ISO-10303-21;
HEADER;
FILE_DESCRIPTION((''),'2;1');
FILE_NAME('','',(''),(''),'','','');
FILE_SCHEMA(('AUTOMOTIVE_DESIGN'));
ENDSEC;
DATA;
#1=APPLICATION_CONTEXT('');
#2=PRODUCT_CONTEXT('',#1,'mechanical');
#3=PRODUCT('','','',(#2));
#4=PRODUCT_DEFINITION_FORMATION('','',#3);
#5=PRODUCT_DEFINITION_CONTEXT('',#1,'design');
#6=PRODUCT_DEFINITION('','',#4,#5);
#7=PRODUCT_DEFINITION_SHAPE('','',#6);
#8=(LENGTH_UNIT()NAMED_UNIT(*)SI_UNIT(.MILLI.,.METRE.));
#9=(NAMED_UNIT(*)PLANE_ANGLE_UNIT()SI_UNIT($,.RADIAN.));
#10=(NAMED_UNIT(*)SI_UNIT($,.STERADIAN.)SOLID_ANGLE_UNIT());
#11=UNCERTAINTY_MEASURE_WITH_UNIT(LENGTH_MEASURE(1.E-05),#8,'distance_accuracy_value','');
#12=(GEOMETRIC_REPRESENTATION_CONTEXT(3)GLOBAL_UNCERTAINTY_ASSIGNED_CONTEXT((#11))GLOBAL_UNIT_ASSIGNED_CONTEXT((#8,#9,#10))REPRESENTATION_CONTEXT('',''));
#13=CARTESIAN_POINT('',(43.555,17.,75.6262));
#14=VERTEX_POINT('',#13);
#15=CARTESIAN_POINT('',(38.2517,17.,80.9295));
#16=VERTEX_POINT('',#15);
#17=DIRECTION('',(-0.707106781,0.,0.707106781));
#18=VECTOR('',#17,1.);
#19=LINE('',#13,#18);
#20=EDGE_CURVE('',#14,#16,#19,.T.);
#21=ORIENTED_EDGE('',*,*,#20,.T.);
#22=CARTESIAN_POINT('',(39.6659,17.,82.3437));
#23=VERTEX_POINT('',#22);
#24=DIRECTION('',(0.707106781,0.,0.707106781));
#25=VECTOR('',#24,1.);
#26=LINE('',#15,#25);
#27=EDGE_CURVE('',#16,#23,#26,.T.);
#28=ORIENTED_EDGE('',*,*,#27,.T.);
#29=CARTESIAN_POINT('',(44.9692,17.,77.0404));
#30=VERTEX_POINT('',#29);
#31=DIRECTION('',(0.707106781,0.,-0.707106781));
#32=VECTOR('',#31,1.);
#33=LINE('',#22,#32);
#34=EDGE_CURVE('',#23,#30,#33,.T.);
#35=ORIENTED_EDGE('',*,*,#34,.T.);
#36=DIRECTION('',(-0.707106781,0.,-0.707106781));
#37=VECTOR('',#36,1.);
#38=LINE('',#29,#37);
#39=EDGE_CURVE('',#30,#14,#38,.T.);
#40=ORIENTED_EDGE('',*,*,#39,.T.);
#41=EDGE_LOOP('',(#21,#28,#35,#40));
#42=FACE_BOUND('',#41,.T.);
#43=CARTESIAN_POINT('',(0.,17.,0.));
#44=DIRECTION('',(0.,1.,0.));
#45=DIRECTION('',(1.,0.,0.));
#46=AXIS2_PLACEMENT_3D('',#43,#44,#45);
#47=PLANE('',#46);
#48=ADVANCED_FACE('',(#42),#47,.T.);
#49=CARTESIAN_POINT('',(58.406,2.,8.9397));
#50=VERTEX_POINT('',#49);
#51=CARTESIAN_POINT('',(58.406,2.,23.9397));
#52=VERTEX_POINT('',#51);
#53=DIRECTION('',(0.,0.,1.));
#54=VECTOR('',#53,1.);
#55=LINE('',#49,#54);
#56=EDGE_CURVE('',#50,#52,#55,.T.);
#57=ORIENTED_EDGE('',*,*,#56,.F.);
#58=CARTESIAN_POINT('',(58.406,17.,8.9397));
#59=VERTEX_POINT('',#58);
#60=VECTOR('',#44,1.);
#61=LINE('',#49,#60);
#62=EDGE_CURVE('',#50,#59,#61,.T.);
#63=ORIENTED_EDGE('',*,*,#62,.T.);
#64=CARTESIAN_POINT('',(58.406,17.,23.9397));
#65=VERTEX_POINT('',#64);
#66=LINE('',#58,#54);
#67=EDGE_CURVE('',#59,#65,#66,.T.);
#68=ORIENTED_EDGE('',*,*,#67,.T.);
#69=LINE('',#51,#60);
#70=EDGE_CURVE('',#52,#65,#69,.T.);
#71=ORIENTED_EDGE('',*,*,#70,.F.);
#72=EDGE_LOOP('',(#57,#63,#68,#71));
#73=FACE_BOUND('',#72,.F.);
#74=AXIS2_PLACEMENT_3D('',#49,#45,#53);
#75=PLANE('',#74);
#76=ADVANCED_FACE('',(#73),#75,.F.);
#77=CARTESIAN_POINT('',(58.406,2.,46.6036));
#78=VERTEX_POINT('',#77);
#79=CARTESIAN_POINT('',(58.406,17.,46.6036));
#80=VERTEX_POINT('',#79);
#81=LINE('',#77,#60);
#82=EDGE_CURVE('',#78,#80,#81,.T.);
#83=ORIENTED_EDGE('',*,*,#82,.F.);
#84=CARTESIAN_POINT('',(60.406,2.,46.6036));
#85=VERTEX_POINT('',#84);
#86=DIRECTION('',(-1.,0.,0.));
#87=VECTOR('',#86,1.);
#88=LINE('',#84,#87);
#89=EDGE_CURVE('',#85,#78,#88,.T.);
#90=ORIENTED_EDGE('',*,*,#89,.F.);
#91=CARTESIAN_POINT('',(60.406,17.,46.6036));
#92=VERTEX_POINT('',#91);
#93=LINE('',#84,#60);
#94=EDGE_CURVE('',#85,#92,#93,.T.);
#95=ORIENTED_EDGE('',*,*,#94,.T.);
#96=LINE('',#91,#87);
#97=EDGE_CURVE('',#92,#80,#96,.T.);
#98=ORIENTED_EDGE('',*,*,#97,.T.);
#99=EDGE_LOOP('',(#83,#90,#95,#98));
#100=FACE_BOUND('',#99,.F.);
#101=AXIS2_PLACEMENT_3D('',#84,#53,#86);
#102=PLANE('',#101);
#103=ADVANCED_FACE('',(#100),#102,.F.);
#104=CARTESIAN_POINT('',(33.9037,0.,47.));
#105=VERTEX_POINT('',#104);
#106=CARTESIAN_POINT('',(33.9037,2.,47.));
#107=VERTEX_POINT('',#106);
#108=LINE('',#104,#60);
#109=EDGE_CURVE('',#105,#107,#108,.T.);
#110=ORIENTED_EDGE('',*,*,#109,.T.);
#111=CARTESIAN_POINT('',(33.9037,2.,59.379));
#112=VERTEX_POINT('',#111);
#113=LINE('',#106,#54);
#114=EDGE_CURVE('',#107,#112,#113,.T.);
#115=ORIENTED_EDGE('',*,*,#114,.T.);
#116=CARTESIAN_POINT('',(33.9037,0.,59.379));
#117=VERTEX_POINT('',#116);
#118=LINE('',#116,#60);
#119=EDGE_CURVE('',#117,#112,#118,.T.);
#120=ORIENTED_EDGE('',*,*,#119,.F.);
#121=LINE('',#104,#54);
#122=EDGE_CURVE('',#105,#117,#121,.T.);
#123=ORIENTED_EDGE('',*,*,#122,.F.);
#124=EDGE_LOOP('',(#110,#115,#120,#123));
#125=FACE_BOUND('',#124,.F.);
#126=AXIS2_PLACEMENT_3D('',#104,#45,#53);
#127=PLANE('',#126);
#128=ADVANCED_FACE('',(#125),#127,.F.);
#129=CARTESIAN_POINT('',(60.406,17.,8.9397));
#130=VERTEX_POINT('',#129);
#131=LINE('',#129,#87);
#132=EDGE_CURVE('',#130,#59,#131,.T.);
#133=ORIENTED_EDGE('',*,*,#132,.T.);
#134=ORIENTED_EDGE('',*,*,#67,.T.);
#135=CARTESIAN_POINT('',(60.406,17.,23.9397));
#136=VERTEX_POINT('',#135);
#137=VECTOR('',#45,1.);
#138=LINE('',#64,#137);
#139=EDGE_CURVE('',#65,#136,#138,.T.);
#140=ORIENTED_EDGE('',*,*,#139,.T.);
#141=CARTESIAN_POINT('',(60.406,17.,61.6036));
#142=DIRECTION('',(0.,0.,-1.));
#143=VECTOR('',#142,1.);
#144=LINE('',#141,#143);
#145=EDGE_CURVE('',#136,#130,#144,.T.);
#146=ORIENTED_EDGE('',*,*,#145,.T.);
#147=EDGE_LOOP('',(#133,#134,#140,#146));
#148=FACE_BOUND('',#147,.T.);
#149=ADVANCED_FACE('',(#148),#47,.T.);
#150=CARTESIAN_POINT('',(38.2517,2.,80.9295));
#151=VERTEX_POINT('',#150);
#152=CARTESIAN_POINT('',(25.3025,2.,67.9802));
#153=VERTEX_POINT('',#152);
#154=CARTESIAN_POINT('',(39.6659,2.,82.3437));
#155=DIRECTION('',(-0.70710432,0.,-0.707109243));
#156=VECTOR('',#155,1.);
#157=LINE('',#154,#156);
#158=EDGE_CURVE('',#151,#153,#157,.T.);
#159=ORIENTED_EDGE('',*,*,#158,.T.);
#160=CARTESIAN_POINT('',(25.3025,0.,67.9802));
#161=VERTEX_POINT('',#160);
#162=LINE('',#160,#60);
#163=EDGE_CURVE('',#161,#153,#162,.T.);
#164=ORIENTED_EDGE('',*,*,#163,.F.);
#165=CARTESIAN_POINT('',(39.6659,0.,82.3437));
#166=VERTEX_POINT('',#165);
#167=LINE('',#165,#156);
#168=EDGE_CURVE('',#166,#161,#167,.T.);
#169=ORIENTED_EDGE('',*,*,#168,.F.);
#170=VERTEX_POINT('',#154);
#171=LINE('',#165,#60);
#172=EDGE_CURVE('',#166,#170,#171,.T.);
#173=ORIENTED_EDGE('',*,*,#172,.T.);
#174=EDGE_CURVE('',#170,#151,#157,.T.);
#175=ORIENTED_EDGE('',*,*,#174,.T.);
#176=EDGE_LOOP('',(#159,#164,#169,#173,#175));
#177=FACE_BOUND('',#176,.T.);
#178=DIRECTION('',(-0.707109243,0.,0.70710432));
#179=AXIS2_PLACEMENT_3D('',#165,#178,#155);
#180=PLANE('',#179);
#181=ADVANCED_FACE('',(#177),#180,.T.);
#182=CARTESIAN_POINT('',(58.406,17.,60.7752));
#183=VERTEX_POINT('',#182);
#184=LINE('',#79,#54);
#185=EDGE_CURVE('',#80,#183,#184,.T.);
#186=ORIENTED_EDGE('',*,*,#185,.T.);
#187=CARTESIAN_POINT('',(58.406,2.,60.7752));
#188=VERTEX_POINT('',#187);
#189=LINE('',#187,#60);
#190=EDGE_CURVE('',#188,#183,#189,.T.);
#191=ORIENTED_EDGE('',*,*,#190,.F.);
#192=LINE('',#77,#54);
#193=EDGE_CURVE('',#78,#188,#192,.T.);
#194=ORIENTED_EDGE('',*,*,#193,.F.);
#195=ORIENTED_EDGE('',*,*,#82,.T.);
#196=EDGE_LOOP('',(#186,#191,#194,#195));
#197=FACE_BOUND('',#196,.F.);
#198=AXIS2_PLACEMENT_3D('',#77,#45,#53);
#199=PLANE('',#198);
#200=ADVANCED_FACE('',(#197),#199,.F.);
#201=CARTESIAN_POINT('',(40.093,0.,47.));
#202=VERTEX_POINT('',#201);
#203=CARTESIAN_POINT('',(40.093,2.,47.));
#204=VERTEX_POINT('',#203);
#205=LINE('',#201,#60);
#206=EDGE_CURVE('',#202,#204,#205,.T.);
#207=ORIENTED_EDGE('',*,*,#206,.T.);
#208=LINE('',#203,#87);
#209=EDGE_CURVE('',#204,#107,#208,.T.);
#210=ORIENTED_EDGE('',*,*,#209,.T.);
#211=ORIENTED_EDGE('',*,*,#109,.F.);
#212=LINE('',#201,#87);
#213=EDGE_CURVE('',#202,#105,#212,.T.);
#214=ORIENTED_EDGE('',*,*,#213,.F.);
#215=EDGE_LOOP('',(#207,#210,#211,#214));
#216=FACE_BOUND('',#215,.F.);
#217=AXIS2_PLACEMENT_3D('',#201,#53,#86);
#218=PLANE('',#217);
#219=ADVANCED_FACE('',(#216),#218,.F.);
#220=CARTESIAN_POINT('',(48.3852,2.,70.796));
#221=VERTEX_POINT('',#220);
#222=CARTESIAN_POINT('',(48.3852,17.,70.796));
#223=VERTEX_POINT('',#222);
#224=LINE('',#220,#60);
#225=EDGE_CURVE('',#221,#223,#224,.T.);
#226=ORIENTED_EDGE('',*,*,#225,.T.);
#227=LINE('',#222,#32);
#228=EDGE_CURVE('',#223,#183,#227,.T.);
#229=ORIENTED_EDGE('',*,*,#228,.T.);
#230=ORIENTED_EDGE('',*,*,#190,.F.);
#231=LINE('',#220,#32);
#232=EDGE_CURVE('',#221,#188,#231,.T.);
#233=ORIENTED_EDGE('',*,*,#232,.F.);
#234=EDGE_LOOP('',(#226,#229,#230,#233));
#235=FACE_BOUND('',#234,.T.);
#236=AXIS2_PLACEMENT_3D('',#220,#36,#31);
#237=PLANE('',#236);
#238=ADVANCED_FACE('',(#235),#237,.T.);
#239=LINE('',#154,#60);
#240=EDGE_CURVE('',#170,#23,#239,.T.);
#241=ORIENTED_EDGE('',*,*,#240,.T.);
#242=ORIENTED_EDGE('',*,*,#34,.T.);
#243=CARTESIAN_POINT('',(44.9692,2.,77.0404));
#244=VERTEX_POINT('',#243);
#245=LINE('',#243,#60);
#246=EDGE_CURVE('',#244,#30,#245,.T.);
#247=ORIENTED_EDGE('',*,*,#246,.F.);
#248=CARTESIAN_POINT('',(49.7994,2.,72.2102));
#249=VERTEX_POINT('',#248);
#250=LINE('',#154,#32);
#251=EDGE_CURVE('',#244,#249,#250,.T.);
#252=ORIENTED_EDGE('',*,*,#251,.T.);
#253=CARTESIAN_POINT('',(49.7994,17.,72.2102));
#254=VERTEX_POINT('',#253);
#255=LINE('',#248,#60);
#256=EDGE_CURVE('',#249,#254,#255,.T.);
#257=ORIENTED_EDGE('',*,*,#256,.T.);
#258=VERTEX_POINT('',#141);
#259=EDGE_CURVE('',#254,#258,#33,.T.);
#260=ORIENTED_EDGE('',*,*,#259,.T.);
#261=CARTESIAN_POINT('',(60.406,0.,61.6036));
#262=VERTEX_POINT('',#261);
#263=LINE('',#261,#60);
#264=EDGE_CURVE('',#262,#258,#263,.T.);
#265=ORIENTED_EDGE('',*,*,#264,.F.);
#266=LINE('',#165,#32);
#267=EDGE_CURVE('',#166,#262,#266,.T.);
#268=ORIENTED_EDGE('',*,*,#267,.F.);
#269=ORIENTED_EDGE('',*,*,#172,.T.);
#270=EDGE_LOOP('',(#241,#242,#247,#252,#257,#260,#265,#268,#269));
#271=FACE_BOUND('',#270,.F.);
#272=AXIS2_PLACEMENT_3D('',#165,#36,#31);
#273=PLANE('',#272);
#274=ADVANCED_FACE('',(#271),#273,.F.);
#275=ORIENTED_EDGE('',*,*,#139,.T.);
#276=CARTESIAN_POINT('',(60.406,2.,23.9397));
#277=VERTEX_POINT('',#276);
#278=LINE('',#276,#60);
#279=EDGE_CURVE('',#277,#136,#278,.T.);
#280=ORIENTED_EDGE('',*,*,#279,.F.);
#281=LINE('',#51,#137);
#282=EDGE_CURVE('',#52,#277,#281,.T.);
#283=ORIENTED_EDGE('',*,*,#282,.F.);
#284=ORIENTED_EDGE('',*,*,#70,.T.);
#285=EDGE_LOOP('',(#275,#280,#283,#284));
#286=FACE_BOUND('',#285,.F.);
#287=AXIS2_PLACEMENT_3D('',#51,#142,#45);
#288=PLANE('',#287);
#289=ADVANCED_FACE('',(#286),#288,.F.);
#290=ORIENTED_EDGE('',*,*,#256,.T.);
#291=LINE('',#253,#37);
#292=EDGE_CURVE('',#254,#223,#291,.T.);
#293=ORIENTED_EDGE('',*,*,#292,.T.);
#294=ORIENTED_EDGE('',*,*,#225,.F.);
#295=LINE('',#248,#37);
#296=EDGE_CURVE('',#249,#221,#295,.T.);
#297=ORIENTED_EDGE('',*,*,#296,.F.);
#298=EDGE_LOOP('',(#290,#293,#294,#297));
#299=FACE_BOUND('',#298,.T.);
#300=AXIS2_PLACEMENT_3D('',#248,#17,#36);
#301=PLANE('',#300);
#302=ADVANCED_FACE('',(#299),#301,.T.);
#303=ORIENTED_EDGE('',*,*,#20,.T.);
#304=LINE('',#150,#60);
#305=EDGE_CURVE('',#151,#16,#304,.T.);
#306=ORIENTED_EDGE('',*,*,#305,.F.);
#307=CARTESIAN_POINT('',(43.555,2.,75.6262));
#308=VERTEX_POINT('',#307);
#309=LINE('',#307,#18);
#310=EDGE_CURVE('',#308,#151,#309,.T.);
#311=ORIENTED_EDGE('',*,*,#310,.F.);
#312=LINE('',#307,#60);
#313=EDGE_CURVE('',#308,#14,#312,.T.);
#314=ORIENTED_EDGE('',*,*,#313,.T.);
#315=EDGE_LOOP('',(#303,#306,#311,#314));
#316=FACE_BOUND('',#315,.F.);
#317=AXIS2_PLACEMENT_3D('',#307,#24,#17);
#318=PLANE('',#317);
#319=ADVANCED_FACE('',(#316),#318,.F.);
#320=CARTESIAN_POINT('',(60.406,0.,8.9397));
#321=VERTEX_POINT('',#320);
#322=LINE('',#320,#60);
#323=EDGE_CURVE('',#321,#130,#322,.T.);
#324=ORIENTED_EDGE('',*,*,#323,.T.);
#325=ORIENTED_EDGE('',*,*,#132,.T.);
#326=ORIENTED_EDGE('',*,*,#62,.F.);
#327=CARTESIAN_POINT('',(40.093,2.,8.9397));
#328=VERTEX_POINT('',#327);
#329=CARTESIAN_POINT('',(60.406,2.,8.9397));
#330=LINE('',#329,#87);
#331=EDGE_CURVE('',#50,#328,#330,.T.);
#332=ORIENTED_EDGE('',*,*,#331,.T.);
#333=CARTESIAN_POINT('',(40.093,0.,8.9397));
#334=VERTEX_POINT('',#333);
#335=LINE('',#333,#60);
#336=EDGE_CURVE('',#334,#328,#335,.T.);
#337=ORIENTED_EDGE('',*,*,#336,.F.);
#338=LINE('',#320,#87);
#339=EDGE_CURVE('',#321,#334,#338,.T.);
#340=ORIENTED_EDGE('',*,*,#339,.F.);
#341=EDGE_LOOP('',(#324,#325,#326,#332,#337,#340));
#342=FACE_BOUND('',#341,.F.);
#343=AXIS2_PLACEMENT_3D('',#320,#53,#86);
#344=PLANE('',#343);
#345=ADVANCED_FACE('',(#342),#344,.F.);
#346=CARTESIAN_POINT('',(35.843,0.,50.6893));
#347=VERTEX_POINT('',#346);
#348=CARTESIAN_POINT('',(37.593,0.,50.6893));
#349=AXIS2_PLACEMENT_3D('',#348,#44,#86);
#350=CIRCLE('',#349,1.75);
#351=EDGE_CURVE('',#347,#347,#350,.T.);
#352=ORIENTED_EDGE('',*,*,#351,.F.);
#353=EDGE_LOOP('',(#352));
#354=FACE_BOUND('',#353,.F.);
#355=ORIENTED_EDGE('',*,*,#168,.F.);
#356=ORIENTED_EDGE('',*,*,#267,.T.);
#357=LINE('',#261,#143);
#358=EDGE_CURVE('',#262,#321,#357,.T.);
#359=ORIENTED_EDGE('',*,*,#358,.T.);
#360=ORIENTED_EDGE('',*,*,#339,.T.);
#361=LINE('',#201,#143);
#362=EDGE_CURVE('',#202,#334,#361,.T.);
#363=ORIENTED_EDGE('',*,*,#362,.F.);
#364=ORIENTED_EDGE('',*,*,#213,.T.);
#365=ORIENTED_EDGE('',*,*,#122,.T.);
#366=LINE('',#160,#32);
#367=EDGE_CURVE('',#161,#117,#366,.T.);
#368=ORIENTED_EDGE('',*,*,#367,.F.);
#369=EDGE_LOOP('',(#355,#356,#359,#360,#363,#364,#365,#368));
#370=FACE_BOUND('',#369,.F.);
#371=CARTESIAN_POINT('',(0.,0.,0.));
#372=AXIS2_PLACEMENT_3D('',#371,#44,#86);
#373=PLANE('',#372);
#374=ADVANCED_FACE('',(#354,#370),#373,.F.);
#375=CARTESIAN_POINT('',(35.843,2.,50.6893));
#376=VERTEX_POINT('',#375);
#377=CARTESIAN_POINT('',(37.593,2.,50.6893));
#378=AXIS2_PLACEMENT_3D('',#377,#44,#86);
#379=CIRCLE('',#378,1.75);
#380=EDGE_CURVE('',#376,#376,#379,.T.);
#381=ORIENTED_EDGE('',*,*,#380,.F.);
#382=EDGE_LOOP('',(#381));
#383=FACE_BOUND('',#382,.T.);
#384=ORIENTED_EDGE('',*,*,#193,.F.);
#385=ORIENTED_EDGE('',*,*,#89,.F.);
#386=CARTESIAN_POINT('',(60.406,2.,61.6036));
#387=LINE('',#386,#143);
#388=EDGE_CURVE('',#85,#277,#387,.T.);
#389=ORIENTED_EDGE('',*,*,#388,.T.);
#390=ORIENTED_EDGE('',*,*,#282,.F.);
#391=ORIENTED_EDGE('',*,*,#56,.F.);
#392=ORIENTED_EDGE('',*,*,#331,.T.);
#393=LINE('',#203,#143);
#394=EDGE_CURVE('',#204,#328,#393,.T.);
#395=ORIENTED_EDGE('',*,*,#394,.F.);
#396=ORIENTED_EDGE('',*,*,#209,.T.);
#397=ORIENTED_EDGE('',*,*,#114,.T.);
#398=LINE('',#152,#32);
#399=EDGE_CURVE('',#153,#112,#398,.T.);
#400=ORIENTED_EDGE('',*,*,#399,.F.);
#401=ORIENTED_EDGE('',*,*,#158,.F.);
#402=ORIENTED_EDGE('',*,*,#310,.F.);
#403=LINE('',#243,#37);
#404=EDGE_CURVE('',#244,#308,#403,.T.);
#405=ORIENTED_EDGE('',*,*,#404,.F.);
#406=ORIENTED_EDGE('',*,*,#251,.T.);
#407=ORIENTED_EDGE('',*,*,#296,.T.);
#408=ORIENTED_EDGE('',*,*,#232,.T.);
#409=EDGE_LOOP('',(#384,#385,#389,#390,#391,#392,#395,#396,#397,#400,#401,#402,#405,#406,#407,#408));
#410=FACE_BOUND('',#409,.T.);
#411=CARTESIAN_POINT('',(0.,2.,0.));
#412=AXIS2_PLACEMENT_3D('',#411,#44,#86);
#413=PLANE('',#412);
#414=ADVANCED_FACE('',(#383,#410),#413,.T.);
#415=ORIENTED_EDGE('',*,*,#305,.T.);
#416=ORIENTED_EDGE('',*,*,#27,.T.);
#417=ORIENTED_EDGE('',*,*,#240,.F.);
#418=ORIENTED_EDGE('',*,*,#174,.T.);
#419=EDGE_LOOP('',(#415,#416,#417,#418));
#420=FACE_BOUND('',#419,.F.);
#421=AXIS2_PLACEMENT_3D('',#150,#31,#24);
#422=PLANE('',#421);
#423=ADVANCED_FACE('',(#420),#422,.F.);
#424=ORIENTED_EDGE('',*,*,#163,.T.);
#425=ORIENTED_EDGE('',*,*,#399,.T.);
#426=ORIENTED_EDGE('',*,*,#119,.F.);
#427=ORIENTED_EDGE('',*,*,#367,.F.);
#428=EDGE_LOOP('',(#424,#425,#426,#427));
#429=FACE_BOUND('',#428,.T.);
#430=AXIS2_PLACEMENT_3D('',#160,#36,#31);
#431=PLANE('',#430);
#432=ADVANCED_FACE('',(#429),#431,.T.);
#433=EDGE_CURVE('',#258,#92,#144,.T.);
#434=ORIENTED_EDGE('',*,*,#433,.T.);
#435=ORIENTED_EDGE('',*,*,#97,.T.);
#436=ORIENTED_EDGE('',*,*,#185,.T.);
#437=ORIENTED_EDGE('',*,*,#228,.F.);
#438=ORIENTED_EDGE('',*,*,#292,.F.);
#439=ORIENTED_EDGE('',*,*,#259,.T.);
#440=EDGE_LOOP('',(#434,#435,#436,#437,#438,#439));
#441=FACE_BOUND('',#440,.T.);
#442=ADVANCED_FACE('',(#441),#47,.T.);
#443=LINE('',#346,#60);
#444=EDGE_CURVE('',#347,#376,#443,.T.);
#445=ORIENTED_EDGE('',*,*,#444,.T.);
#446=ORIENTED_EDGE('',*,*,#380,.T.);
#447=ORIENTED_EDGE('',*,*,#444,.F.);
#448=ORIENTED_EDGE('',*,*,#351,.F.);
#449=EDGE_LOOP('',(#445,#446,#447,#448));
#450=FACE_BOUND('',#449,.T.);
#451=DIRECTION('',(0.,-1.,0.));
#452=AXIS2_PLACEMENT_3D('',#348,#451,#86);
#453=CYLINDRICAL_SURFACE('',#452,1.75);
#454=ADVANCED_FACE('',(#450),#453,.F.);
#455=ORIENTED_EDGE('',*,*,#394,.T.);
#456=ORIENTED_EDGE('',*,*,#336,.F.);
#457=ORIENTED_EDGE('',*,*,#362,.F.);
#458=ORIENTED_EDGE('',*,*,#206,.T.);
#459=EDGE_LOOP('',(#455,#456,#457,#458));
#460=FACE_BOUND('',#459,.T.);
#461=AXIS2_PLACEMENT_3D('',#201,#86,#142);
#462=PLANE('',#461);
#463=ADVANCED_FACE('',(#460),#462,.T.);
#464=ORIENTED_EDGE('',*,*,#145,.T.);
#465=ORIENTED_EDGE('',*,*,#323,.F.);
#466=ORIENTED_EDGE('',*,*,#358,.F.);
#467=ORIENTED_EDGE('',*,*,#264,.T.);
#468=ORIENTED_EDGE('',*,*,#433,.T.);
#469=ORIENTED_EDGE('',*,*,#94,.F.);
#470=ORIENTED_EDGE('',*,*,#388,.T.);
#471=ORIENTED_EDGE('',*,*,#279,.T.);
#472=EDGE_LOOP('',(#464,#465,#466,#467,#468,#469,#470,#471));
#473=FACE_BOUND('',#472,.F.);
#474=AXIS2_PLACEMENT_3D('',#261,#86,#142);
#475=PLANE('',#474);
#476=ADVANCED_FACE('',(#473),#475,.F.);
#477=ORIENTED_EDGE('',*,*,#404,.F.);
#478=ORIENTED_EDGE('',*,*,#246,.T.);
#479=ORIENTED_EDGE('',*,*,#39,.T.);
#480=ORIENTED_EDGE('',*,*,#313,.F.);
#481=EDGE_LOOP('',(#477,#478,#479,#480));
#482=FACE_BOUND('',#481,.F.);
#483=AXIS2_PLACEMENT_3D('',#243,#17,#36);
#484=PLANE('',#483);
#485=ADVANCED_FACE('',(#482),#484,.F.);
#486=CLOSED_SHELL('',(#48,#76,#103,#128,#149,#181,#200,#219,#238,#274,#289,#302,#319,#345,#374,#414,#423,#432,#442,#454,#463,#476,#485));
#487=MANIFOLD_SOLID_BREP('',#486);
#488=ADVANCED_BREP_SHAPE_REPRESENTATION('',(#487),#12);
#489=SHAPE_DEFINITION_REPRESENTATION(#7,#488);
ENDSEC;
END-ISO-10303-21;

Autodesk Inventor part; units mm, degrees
ref_plane "YZ Plane" through (0, 0, 0) normal (1, 0, 0) x (0, 1, 0)
ref_plane "XZ Plane" through (0, 0, 0) normal (0, 1, 0) x (-1, 0, 0)
ref_plane "XY Plane" through (0, 0, 0) normal (0, 0, 1) x (1, 0, 0)
sketch "Sketch1" plane through (0, 0, 0) normal (0, 1, 0) x (-1, 0, 0)
  line L0 (-39.6659, 82.3437) -> (-60.406, 61.6036)
  line L1 (-60.406, 61.6036) -> (-60.406, 8.9397)
  circle A0 centre (-37.593, 50.6893) radius 1.75
  circle A1 centre (-37.593, 50.6893) radius 1.75
  line L2 (-60.406, 8.9397) -> (-40.093, 8.9397)
  line L3 (-40.093, 47) -> (-33.9037, 47)
  line L4 (-33.9037, 47) -> (-33.9037, 59.379)
  line L5 (-25.3025, 67.9802) -> (-33.9037, 59.379)
  line L6 (-40.093, 47) -> (-40.093, 8.9397)
  line L7 (-39.6659, 82.3437) -> (-25.3025, 67.9802)
extrude "Extrusion1" add sketch "Sketch1" along normal blind 2
sketch "Sketch2" plane through (0, 2, 0) normal (0, 1, 0) x (1, 0, 0)
  line L0 (39.6659, -82.3437) -> (60.406, -61.6036) projected
  line L1 (60.406, -61.6036) -> (60.406, -8.9397) projected
  line L2 (60.406, -61.6036) -> (60.406, -46.6036)
  line L3 (60.406, -46.6036) -> (58.406, -46.6036)
  line L4 (58.406, -46.6036) -> (58.406, -60.7752)
  line L5 (60.406, -61.6036) -> (49.7994, -72.2102)
  line L6 (49.7994, -72.2102) -> (48.3852, -70.796)
  line L7 (48.3852, -70.796) -> (58.406, -60.7752)
  line L8 (60.406, -8.9397) -> (58.406, -8.9397)
  line L9 (58.406, -8.9397) -> (58.406, -23.9397)
  line L10 (58.406, -23.9397) -> (60.406, -23.9397)
  line L11 (60.406, -23.9397) -> (60.406, -8.9397)
  line L12 (39.6659, -82.3437) -> (44.9692, -77.0404)
  line L13 (44.9692, -77.0404) -> (43.555, -75.6262)
  line L14 (43.555, -75.6262) -> (38.2517, -80.9295)
  line L15 (38.2517, -80.9295) -> (39.6659, -82.3437)
  line L16 (39.6659, -82.3437) -> (47.1659, -82.3437) construction
  point P0 (0, 0)
  dimension "d6" = 15
  dimension "d7" = 2
  dimension "d8" = 15
  dimension "d9" = 2
  dimension "d10" = 90
  dimension "d11" = 90
  dimension "d12" = 15
  dimension "d13" = 7.5
  dimension "d14" = 45
  dimension "d15" = 2
extrude "Extrusion2" add sketch "Sketch2" along normal blind 15
properties part number "covfronti2c1"
